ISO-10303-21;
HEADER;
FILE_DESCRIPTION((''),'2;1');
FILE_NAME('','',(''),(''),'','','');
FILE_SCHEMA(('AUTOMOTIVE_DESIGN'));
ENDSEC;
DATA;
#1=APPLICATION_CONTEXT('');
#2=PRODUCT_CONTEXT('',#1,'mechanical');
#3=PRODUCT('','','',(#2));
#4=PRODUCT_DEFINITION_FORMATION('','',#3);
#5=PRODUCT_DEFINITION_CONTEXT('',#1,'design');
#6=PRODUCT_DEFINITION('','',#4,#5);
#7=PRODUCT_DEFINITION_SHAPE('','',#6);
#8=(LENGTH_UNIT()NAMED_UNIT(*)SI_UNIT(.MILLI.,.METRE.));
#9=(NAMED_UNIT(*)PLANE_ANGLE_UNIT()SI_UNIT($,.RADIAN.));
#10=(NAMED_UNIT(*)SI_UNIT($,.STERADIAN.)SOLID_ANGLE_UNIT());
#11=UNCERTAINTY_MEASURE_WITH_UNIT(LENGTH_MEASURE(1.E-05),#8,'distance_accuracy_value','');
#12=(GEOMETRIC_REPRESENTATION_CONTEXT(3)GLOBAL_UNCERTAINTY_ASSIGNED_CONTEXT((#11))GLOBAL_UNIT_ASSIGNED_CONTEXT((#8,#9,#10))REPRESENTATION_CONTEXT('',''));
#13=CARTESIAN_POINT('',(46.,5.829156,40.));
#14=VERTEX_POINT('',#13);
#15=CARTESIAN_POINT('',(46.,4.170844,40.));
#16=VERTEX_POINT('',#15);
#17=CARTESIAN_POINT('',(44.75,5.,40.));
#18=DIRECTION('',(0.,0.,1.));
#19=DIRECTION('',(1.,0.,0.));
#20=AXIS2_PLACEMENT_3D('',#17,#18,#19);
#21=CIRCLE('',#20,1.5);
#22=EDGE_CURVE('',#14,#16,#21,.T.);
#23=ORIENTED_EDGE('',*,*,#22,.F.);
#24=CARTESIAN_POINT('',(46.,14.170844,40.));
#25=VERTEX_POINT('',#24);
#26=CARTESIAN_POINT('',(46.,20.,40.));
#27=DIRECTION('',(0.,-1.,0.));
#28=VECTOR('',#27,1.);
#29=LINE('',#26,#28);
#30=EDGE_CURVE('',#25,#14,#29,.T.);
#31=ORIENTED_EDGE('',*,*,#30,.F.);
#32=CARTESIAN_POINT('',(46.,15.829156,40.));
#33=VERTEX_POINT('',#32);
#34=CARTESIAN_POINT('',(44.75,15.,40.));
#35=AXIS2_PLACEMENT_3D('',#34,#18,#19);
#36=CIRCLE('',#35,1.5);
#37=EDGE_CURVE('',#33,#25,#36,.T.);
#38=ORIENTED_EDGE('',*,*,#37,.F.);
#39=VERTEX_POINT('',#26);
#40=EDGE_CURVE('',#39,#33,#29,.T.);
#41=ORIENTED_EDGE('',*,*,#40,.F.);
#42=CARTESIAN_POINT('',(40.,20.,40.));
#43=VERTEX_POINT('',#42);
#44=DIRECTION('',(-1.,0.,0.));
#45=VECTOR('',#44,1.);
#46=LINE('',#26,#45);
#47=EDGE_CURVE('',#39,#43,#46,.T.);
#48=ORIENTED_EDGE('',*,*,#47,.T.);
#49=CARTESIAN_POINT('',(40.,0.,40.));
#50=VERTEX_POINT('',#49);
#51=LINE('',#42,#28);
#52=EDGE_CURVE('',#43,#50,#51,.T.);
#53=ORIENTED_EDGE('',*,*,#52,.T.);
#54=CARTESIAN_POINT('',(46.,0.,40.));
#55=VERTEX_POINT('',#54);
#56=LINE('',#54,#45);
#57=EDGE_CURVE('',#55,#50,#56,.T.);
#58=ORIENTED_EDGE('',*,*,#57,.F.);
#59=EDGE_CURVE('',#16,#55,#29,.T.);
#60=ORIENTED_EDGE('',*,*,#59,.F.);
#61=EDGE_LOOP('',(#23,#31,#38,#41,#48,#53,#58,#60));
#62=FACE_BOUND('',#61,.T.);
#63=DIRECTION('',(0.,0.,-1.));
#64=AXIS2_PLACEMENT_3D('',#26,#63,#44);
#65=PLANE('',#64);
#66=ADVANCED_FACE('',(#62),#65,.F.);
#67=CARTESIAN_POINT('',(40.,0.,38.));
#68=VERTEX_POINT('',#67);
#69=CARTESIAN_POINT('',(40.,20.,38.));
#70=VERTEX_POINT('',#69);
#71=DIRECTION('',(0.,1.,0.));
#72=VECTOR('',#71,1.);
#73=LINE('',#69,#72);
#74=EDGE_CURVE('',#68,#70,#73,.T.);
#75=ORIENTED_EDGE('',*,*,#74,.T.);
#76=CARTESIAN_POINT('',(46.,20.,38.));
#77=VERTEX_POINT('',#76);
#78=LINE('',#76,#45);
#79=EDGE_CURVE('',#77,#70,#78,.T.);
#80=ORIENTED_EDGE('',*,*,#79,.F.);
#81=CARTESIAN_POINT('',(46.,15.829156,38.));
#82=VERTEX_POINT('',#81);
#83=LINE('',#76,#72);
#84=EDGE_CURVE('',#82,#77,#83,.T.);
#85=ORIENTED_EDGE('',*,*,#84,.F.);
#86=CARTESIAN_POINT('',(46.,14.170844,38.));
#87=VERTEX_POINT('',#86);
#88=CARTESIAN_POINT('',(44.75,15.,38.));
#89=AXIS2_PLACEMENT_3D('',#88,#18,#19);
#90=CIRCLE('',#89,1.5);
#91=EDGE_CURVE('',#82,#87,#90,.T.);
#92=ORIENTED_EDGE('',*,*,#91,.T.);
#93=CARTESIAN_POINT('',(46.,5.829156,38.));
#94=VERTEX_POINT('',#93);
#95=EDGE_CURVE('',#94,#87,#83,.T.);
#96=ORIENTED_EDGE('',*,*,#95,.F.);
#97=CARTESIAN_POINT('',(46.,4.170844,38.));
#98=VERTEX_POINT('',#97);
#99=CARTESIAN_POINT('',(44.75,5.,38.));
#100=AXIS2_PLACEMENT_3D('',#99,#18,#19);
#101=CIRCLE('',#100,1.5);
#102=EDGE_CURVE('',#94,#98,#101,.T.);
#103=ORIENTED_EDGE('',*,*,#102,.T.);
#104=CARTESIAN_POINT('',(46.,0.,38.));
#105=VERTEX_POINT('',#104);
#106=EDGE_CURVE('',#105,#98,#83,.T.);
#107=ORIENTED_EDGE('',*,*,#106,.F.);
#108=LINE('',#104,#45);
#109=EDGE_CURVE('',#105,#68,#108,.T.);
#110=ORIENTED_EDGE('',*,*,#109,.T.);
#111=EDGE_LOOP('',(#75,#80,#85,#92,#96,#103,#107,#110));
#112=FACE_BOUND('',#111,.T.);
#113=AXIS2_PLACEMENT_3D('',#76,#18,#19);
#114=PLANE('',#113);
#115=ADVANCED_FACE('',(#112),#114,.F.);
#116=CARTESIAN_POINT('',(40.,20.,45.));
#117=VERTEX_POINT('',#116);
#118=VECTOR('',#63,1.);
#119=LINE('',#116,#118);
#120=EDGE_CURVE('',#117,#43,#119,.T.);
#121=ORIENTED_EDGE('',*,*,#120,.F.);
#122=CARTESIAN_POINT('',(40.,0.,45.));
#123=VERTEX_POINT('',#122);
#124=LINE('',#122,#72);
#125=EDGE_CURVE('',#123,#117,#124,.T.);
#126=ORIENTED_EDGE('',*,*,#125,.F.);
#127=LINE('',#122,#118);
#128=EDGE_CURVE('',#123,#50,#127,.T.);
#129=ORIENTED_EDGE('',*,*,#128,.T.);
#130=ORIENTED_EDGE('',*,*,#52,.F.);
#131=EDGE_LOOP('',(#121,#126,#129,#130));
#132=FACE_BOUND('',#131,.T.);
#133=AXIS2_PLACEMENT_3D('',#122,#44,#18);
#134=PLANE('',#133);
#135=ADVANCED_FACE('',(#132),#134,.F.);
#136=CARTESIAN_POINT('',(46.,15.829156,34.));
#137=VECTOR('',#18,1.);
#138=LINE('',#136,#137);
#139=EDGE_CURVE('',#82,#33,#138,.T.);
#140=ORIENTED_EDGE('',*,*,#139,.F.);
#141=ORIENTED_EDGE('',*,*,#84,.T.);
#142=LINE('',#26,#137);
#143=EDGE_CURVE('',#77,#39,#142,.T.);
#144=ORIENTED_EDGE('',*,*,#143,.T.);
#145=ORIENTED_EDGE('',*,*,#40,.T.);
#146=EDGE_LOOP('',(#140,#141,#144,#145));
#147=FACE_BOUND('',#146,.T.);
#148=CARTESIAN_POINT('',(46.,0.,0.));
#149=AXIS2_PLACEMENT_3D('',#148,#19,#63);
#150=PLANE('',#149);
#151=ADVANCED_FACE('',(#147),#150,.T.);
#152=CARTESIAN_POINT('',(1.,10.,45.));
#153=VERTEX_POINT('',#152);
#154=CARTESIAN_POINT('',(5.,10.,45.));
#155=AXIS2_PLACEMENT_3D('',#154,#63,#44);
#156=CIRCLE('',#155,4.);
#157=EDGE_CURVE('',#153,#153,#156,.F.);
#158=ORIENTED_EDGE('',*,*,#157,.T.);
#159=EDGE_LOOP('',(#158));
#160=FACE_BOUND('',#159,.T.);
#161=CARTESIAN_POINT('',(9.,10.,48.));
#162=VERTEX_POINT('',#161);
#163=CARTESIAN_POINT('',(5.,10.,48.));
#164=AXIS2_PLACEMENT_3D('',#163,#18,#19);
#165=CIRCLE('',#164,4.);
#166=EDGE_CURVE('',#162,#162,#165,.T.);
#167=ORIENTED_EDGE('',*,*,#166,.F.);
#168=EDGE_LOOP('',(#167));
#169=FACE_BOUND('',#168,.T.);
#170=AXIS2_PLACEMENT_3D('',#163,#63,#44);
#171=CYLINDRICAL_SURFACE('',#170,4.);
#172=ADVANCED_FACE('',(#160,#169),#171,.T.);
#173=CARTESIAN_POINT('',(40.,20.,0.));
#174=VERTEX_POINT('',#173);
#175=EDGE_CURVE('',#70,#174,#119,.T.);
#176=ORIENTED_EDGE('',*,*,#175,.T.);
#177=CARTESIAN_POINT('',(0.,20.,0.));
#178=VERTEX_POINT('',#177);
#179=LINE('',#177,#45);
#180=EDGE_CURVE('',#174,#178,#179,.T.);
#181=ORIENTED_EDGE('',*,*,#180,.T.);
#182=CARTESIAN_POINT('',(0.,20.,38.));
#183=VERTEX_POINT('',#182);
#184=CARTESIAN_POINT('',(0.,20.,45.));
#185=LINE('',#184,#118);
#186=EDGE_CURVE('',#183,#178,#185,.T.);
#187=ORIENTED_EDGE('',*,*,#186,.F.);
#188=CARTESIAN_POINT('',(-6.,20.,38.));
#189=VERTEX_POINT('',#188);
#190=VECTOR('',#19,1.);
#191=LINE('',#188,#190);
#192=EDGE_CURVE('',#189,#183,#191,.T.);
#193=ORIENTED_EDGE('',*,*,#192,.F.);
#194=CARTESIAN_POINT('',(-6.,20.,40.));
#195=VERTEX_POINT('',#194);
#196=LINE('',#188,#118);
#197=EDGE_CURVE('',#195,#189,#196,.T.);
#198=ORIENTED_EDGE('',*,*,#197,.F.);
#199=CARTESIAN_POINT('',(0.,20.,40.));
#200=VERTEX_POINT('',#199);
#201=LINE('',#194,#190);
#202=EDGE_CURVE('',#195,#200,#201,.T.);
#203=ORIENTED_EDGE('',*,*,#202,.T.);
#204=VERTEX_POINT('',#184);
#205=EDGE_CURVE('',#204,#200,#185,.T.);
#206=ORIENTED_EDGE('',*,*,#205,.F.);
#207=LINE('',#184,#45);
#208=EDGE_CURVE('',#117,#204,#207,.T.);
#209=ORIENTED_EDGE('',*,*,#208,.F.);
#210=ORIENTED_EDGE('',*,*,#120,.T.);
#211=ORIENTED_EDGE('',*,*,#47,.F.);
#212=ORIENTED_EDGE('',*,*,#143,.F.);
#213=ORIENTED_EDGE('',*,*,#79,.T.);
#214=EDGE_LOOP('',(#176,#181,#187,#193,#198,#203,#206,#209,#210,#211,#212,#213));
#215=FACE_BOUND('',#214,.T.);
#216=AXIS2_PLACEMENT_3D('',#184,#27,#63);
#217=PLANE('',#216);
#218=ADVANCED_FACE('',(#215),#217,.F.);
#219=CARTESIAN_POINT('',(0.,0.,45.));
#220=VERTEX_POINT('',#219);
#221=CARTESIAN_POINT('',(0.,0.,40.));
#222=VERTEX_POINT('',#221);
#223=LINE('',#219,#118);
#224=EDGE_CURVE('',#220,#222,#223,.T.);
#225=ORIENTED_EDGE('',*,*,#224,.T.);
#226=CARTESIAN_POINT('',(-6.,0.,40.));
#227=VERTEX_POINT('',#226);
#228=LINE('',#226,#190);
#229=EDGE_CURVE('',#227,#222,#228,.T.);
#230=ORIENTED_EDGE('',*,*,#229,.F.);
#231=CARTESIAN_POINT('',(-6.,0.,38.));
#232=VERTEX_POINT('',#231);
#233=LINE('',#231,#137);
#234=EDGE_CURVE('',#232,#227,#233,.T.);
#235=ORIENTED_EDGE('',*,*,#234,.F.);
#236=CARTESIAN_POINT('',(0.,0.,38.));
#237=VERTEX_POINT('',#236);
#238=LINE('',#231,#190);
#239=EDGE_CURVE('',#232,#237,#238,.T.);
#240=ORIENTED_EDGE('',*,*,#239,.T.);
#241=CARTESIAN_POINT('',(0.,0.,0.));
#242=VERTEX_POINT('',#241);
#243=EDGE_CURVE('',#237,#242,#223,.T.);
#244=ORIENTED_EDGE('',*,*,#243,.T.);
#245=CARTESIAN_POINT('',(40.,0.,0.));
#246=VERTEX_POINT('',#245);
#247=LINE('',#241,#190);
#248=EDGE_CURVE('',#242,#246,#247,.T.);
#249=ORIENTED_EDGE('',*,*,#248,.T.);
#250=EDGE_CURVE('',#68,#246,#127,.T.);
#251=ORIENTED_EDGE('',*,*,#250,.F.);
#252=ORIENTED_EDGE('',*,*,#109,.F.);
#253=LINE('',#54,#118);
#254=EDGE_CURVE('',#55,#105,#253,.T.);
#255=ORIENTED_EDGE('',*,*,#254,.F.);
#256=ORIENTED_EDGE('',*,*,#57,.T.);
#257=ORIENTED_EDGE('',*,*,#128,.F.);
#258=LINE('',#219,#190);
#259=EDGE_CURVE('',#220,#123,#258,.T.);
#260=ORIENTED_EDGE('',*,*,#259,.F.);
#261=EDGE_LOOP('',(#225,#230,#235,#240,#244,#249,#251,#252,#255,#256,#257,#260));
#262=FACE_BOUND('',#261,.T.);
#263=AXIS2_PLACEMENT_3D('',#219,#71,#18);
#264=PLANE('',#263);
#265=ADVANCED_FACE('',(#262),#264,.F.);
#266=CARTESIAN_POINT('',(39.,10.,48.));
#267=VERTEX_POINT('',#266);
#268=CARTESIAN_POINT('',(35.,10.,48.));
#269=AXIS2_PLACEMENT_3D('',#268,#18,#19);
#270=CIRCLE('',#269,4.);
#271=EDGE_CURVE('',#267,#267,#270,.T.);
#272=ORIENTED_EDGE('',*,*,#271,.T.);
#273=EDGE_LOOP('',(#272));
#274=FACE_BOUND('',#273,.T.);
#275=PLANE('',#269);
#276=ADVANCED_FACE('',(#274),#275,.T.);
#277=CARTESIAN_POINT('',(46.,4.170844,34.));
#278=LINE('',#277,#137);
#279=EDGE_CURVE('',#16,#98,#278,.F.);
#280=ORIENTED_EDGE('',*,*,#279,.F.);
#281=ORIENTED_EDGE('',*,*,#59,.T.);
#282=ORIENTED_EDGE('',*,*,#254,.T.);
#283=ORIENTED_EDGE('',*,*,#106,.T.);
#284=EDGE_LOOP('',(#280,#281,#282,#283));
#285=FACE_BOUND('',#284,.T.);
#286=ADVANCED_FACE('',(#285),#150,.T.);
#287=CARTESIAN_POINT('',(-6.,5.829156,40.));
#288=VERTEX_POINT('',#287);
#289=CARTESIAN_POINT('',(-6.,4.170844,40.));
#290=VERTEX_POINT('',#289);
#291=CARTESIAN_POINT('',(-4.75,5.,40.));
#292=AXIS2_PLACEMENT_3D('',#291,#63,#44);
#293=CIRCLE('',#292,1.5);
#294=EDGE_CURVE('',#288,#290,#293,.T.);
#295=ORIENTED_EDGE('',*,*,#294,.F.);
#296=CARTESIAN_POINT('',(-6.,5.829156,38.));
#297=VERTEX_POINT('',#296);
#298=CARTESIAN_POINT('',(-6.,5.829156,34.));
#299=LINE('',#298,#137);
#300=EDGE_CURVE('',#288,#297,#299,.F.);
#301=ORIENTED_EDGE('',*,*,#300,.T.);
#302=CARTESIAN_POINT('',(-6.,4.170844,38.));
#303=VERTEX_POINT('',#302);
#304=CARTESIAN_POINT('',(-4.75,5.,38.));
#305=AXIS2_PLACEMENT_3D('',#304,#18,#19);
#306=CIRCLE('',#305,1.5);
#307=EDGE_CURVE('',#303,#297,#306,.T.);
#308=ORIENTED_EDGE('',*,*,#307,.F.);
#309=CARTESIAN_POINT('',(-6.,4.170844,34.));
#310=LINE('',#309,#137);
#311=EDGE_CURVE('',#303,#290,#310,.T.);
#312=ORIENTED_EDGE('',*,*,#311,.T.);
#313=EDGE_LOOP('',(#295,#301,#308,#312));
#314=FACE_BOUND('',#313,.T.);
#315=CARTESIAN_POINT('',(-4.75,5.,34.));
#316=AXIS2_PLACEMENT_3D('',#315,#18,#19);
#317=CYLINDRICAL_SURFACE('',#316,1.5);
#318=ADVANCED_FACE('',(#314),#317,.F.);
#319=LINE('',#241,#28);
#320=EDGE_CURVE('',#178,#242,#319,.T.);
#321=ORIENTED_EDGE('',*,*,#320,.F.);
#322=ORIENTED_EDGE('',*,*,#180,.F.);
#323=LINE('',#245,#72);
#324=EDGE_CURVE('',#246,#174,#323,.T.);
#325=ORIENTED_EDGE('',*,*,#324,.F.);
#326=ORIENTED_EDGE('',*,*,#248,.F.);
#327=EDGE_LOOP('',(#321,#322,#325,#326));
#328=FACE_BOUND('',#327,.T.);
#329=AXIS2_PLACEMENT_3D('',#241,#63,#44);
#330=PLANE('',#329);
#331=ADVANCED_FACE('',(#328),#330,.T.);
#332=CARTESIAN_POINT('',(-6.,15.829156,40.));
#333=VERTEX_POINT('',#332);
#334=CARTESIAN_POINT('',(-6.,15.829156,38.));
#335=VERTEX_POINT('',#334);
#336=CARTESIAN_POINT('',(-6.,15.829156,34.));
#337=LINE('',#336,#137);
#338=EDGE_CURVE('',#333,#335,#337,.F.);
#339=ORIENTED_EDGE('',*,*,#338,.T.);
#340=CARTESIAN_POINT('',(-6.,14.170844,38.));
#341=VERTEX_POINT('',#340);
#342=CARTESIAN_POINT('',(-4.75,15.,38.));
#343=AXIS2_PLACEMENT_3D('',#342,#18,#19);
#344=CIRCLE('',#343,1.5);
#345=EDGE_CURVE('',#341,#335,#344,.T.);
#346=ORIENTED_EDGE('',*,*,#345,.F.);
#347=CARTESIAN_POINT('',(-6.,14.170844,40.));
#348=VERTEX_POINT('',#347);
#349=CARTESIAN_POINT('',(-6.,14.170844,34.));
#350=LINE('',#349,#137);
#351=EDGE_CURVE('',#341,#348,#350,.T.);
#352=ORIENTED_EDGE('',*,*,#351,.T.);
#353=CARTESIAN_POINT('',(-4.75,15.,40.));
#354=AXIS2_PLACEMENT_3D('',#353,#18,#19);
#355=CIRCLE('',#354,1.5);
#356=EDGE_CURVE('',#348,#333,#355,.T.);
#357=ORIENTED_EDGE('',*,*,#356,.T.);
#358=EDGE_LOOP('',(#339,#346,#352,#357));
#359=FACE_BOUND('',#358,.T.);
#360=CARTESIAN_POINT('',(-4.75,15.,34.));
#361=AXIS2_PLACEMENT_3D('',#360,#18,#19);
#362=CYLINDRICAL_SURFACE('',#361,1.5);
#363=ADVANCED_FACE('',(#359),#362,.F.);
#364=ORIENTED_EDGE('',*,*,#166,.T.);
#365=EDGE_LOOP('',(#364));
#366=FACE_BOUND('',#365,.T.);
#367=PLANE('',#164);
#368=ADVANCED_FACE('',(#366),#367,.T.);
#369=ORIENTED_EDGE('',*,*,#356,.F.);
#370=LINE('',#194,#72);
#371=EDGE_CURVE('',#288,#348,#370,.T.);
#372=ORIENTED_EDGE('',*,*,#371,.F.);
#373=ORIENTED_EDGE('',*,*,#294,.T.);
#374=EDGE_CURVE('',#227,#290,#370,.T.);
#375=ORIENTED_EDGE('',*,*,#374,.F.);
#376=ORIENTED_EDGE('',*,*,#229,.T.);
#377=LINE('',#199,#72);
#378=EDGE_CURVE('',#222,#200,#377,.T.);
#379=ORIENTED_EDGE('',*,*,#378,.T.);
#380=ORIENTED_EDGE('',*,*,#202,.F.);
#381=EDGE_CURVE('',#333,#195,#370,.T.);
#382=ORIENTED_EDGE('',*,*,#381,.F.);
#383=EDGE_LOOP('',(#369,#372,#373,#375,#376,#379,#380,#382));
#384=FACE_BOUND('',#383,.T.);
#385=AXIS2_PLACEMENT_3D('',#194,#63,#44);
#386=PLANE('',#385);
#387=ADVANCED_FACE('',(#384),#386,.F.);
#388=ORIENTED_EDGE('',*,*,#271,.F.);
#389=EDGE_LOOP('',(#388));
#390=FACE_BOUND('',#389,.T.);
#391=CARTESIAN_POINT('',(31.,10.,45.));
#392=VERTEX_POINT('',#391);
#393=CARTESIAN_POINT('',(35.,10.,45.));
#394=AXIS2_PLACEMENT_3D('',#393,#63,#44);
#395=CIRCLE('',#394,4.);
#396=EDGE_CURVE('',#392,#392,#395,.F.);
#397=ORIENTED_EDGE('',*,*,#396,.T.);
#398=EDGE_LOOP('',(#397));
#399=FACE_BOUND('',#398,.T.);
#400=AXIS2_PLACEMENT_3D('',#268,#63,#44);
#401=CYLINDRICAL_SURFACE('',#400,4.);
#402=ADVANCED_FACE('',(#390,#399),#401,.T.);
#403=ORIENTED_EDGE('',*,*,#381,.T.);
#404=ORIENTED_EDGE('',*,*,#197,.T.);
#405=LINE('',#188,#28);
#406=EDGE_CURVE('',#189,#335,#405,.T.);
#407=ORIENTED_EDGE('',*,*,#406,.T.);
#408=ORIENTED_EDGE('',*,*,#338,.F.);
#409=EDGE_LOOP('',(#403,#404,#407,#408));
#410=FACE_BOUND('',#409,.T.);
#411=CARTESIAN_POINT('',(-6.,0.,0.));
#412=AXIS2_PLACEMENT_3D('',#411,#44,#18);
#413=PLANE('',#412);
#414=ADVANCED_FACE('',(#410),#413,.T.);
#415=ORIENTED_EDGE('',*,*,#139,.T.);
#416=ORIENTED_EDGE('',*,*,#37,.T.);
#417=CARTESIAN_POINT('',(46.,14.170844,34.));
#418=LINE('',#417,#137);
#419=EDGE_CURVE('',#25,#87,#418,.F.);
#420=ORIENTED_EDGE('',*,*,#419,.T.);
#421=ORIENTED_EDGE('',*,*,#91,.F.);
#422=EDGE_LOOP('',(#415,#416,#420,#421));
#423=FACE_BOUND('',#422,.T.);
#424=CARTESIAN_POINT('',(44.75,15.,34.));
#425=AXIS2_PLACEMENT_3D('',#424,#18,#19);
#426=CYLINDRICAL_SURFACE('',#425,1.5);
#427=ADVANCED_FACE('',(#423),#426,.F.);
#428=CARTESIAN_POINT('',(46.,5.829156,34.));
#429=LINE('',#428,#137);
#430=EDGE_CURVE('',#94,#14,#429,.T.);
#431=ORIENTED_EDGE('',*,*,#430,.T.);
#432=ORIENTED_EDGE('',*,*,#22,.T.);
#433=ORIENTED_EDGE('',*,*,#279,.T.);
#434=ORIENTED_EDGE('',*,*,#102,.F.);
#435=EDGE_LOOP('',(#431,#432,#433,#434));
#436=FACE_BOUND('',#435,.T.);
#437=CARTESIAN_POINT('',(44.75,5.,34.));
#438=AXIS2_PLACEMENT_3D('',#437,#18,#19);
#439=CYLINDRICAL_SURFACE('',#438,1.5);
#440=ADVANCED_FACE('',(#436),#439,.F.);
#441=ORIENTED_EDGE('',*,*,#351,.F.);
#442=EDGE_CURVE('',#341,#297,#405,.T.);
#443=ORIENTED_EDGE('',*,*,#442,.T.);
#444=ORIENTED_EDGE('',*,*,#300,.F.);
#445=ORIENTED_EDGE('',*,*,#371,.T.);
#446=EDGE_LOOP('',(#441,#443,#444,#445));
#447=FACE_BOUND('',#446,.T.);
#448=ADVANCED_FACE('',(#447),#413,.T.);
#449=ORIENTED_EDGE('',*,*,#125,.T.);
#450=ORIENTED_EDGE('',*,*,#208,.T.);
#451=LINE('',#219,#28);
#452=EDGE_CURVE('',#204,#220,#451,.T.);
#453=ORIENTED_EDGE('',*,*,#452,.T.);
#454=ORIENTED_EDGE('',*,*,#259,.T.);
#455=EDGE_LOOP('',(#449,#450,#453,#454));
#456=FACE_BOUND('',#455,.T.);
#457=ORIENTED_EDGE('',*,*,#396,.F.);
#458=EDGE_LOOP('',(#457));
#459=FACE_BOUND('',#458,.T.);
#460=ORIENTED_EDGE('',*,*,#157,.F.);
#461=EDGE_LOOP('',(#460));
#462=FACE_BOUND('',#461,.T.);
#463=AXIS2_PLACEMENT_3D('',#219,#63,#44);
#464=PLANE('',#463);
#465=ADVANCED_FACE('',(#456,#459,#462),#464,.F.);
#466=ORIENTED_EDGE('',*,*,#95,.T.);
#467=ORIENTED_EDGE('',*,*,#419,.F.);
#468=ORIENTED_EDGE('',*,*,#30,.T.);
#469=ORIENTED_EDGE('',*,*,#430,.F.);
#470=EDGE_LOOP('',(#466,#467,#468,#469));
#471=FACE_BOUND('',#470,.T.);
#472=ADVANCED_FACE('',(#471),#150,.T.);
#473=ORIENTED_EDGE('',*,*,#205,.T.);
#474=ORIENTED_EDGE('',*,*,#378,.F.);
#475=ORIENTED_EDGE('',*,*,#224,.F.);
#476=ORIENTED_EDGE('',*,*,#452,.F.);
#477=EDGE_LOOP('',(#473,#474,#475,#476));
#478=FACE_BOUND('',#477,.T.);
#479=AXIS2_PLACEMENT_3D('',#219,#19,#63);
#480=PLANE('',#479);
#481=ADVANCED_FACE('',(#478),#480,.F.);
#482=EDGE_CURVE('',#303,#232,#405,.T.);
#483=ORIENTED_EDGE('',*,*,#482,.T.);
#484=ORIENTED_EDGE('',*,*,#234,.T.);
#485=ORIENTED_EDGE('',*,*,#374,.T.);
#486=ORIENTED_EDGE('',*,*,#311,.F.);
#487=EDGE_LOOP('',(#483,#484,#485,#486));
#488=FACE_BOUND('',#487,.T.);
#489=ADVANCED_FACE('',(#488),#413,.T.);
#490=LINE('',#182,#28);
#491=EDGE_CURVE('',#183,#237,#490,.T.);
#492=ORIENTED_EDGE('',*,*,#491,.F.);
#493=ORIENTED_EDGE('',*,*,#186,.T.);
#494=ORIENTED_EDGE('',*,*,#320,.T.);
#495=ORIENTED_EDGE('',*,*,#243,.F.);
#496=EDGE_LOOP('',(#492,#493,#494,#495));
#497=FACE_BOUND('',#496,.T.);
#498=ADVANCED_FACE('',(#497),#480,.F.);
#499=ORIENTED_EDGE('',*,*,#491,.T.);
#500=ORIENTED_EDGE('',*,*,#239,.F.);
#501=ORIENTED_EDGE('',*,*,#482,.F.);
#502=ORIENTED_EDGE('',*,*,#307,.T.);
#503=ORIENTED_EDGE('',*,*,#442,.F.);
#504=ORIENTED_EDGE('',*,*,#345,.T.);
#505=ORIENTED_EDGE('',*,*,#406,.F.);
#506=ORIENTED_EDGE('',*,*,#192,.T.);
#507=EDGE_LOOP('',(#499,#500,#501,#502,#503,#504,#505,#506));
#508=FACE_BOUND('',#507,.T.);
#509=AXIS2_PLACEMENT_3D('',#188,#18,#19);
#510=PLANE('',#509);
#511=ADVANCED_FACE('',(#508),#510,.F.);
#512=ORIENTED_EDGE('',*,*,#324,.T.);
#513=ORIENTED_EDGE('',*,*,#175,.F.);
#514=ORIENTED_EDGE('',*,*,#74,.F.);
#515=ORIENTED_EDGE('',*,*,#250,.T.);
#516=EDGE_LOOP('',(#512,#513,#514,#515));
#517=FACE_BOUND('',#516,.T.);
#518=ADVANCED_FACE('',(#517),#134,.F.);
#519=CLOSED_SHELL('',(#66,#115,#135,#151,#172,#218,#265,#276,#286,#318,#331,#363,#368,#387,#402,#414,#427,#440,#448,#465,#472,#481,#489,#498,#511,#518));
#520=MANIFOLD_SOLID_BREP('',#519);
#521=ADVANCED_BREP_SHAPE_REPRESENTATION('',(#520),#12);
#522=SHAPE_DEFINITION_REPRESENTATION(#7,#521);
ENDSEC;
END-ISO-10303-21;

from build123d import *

# Parameters (mm, degrees)
ESQUISSE1_W             = 40
ESQUISSE1_H             = 20
BOSS_EXTRU_1_DEPTH      = 45
ESQUISSE2_R             = 4
BOSS_EXTRU_2_DEPTH      = 3
ESQUISSE3_W             = 2
ESQUISSE3_H             = 20
BOSS_EXTRU_3_DEPTH      = 6
ESQUISSE4_W             = 2
ESQUISSE4_H             = 20
BOSS_EXTRU_4_DEPTH      = 6
ESQUISSE5_R             = 1.5
ENL_V_MAT_EXTRU_1_DEPTH = 6


with BuildPart() as part:
    # Esquisse1 → Boss.-Extru.1 (new body)
    with BuildSketch(Plane.XY):
        with Locations((20, 10)):
            Rectangle(ESQUISSE1_W, ESQUISSE1_H)
    extrude(amount=BOSS_EXTRU_1_DEPTH)

    # Esquisse2 → Boss.-Extru.2 (add)
    with BuildSketch(Plane.XY.offset(45)):
        with Locations(Location((5, 10, 0), (0, 0, 180))):
            Circle(ESQUISSE2_R)
        with Locations(Location((35, 10, 0), (0, 0, 180))):
            Circle(ESQUISSE2_R)
    extrude(amount=BOSS_EXTRU_2_DEPTH)

    # Esquisse3 → Boss.-Extru.3 (add)
    with BuildSketch(Plane.ZY):
        with Locations((39, 10)):
            Rectangle(ESQUISSE3_W, ESQUISSE3_H)
    extrude(amount=BOSS_EXTRU_3_DEPTH)

    # Esquisse4 → Boss.-Extru.4 (add)
    with BuildSketch(Plane(origin=(40, 0, 0), x_dir=(0, 0, -1), z_dir=(1, 0, 0))):
        with Locations((-39, 10)):
            Rectangle(ESQUISSE4_W, ESQUISSE4_H)
    extrude(amount=BOSS_EXTRU_4_DEPTH)

    # Esquisse5 → Enlèv. mat.-Extru.1 (cut)
    with BuildSketch(Plane.XY.offset(40)):
        with Locations((-4.75, 15)):
            Circle(ESQUISSE5_R)
        with Locations((-4.75, 5)):
            Circle(ESQUISSE5_R)
        with Locations((44.75, 15)):
            Circle(ESQUISSE5_R)
        with Locations((44.75, 5)):
            Circle(ESQUISSE5_R)
    extrude(amount=-ENL_V_MAT_EXTRU_1_DEPTH, mode=Mode.SUBTRACT)


solid = part.part
